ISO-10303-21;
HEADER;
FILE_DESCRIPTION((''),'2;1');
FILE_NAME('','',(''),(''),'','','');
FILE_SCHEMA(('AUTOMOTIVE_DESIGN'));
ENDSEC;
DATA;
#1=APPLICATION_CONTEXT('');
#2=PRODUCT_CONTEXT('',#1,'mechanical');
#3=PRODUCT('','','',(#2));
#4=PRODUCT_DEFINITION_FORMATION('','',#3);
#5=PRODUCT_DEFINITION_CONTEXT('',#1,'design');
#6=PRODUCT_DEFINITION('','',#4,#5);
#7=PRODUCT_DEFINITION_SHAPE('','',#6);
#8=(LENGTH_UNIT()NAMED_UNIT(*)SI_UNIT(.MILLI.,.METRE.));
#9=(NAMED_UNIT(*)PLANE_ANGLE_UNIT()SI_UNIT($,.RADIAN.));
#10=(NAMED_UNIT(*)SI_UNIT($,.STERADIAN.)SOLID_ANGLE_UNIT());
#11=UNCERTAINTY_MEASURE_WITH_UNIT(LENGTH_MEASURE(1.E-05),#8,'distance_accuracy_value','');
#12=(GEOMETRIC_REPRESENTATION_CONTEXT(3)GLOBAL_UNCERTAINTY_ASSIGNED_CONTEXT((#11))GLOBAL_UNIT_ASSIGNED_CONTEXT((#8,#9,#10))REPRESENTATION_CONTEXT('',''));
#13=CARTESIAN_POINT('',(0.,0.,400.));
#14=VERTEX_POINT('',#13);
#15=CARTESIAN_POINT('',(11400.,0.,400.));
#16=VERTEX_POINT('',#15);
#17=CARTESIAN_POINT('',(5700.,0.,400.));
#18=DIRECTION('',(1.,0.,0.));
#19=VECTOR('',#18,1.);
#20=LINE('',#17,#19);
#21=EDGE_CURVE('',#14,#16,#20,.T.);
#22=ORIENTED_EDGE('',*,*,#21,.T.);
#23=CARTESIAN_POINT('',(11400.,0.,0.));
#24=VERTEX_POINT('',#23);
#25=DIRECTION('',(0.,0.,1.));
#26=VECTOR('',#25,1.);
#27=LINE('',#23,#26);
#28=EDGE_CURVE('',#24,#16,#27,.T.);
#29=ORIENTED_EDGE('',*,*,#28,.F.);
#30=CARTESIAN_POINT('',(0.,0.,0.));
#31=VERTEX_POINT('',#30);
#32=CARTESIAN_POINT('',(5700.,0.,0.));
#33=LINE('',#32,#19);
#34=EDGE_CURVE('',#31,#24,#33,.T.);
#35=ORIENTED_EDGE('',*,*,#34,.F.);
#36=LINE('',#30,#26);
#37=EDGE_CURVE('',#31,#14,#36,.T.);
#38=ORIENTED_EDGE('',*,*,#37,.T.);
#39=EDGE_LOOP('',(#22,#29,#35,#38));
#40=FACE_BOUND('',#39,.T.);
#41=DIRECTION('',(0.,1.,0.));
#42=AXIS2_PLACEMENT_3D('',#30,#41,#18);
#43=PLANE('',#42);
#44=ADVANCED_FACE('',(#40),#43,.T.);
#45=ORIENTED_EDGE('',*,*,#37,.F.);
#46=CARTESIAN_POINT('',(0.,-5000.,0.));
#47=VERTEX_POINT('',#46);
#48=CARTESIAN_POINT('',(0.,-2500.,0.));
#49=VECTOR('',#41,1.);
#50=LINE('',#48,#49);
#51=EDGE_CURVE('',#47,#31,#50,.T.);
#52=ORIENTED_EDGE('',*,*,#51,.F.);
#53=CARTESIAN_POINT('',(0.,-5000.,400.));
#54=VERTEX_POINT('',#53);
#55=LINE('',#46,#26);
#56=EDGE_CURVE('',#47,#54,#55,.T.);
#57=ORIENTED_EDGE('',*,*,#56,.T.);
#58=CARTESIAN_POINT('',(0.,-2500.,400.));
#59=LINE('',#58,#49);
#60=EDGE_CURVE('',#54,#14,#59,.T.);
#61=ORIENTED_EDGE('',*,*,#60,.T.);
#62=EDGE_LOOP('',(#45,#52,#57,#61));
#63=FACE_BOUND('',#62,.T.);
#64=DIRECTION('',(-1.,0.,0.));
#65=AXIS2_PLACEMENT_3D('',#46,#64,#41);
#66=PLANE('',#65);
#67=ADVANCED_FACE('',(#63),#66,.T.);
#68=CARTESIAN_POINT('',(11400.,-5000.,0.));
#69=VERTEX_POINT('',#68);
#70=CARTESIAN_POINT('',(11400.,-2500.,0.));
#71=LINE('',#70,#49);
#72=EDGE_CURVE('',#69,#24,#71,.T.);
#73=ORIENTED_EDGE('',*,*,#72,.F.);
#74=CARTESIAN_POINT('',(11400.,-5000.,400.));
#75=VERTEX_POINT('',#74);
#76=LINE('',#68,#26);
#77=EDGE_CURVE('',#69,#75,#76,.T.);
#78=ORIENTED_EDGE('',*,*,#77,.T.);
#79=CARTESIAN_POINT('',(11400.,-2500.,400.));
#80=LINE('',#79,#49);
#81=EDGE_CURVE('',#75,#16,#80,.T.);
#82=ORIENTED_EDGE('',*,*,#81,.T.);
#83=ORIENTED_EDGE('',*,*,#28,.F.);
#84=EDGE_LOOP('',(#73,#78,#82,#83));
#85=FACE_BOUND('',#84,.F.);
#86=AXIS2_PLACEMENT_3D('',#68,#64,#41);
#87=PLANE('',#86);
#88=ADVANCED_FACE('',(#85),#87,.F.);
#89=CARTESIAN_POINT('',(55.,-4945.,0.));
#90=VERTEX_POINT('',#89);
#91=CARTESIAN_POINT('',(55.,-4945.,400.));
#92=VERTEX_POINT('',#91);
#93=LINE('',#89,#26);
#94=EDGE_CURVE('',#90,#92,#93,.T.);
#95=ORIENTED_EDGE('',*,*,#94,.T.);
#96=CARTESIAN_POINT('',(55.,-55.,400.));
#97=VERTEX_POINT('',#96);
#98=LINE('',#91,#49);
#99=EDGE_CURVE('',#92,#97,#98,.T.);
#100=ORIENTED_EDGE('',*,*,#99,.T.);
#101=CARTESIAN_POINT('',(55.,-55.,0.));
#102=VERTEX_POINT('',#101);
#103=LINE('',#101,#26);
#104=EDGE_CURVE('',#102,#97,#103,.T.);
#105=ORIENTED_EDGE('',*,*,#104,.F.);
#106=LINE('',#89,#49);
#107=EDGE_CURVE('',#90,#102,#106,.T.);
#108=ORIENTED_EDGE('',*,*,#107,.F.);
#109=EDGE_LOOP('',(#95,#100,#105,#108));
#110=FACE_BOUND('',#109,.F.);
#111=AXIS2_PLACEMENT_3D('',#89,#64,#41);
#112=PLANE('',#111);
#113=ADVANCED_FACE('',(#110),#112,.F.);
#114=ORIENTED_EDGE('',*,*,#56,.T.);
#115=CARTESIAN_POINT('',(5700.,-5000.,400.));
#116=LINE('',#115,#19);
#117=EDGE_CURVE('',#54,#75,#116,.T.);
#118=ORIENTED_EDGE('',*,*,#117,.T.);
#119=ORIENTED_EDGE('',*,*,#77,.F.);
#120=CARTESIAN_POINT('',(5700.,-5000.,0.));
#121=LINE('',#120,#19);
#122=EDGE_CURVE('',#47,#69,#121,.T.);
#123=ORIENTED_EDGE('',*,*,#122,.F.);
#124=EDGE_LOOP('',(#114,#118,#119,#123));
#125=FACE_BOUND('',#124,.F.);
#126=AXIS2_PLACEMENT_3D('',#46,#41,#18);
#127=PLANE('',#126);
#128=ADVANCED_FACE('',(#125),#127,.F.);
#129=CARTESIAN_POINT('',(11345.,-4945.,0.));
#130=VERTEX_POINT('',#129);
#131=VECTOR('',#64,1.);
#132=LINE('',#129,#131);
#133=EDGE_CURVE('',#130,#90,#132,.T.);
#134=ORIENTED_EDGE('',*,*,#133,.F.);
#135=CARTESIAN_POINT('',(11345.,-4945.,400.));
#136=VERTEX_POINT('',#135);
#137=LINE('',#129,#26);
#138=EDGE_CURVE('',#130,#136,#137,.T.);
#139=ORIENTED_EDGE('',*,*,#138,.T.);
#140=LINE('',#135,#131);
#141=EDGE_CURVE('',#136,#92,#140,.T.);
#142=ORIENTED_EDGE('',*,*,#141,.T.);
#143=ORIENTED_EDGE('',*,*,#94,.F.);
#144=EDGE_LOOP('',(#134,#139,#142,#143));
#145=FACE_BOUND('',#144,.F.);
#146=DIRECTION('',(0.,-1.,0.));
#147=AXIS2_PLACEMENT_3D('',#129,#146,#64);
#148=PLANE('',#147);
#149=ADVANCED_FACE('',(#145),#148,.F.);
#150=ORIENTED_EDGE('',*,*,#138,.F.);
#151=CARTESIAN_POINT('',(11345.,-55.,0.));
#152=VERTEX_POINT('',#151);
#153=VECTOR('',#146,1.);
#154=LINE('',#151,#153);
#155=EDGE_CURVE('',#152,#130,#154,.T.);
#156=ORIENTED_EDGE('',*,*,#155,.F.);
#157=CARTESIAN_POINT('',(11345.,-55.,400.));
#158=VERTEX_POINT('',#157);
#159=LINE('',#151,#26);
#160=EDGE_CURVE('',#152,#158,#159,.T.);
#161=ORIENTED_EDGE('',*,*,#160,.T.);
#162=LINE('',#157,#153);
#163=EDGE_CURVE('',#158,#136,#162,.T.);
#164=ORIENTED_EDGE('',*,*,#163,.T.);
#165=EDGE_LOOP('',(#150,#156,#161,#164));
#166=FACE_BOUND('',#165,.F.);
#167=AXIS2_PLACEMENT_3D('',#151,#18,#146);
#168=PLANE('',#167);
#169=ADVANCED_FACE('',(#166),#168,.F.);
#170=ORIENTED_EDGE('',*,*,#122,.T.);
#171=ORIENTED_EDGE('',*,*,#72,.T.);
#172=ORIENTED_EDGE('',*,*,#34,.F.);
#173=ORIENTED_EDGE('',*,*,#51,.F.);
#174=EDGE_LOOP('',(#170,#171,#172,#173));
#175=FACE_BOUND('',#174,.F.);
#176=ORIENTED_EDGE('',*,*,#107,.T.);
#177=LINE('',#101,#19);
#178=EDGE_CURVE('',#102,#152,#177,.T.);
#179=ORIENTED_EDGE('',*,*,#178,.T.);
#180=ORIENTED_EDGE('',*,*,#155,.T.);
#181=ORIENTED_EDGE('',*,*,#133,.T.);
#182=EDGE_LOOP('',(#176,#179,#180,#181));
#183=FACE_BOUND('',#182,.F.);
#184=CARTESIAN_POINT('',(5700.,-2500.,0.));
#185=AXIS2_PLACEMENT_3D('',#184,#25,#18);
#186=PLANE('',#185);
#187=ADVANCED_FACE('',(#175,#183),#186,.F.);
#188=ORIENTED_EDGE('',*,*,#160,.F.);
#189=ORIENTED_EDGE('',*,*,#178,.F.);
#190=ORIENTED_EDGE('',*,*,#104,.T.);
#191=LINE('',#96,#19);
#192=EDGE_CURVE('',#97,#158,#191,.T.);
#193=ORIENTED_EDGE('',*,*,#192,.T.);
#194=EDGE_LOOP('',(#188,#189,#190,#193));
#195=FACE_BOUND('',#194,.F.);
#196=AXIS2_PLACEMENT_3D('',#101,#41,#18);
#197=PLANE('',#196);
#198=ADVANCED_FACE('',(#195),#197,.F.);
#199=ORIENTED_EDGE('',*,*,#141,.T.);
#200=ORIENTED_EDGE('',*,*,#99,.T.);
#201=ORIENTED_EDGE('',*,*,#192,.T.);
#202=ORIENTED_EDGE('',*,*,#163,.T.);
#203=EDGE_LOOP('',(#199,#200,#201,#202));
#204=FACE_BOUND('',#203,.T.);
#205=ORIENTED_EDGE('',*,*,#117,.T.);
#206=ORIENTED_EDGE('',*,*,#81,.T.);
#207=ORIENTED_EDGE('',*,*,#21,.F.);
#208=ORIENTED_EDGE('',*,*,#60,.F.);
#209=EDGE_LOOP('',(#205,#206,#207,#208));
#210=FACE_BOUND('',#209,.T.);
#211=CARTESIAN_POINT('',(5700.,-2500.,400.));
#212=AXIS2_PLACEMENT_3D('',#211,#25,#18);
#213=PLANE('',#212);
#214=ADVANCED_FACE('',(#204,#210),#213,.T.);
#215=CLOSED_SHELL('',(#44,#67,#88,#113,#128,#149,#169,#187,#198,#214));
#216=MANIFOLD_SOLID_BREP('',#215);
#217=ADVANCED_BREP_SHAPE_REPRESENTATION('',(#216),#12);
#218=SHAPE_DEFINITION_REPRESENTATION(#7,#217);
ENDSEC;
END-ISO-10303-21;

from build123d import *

# Parameters (mm, degrees)
F0_W     = 11400
F0_H     = 5000
F1_DEPTH = 400


with BuildPart() as f1:
    # F0 (on Top) → F1 (new body)
    with BuildSketch(Plane.XY):
        with Locations((5700, -2500)):
            Rectangle(F0_W, F0_H)
        Polygon((55, -4945), (55, -55), (4605.61245, -55), (4795.61245, -55), (11345, -55), (11345, -4945), (4795.61245, -4945), (4605.61245, -4945), align=None, mode=Mode.SUBTRACT)
    extrude(amount=F1_DEPTH)


solid = f1.part
